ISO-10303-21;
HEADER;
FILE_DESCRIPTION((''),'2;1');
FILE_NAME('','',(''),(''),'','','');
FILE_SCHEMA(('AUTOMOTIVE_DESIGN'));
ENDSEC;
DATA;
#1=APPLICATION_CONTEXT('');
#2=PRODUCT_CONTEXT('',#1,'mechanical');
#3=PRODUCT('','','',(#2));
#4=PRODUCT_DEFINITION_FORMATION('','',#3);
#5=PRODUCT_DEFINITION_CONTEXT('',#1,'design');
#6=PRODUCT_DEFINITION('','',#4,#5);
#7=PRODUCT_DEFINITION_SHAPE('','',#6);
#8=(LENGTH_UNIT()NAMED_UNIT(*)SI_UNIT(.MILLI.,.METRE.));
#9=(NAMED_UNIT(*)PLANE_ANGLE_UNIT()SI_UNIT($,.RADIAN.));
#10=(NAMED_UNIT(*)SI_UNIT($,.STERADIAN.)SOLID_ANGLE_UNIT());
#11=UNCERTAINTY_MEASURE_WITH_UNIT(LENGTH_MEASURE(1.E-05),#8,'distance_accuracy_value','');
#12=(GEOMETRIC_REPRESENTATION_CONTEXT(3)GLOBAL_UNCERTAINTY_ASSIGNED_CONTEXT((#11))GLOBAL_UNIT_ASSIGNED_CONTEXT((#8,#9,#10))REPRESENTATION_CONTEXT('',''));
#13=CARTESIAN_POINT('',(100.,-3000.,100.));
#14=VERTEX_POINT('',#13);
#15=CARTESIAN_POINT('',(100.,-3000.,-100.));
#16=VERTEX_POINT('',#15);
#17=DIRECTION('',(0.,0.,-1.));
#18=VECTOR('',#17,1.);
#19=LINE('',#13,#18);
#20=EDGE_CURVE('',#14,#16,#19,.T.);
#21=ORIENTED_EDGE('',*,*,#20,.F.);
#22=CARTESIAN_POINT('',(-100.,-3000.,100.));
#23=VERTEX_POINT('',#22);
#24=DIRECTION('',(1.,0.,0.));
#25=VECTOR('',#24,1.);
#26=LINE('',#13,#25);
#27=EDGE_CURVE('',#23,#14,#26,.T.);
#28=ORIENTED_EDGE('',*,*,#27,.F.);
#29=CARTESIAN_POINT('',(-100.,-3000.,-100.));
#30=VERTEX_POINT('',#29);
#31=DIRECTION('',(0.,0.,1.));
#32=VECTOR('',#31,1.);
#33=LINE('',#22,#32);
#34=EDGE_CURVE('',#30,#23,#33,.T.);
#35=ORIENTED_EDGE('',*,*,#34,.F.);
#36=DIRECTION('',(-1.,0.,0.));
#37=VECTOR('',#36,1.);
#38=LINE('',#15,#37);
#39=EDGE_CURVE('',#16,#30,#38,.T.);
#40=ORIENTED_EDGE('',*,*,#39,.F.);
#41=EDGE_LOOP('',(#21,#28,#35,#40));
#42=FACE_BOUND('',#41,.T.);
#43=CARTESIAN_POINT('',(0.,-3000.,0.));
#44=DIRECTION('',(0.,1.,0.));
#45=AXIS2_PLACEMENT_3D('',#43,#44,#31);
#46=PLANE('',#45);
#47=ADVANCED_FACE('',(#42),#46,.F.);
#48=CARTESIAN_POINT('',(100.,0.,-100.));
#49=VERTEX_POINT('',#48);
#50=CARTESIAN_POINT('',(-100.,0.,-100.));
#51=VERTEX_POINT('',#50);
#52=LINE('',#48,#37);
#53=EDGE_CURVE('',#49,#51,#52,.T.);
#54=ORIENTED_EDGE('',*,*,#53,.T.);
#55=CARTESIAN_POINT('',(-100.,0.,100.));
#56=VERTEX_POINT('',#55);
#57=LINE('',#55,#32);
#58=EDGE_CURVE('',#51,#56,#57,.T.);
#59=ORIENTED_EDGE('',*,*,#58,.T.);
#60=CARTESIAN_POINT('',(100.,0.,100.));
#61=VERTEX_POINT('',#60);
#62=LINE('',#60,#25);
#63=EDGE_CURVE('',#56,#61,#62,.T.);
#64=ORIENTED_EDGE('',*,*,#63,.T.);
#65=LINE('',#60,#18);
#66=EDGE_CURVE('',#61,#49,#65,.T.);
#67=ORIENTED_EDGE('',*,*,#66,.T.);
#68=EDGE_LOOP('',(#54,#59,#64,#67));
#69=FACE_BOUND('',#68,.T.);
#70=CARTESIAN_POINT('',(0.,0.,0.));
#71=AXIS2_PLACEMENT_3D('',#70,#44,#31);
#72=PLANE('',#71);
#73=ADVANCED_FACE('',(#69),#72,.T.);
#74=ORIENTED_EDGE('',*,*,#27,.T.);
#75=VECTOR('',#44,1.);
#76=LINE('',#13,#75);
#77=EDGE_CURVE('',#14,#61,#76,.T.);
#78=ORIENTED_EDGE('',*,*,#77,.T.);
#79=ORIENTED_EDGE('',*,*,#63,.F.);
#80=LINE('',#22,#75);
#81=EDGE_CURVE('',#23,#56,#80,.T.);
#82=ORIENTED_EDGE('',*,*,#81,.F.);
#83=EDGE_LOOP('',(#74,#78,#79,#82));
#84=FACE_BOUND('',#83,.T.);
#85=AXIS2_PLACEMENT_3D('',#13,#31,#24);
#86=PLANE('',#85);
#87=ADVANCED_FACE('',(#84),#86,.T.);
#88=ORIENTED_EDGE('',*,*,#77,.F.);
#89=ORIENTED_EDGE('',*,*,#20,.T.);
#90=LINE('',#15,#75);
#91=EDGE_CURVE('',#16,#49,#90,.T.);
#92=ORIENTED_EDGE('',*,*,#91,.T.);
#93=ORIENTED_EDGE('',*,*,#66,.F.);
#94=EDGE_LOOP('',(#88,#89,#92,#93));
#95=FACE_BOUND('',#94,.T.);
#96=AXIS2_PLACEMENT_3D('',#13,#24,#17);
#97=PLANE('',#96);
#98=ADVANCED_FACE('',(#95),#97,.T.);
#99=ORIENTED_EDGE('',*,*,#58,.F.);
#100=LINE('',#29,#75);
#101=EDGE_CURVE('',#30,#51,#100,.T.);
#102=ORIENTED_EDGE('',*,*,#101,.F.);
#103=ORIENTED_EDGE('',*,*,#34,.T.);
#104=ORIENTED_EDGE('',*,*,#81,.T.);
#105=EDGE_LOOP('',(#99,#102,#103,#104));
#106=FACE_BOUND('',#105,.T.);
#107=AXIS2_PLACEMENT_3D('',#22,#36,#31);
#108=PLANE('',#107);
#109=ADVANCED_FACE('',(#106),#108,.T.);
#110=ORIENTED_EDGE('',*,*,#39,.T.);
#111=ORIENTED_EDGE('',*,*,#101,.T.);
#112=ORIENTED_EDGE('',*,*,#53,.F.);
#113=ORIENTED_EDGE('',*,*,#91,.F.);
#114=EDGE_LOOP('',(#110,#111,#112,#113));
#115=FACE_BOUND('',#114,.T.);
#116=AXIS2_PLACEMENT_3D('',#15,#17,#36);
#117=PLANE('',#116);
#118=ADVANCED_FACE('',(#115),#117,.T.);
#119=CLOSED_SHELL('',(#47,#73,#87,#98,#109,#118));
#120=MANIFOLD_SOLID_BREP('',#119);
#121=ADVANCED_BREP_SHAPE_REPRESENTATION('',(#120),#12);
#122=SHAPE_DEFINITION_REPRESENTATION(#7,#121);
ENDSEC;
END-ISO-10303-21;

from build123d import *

# Parameters (mm, degrees)
SKETCH_1_W      = 200
SKETCH_1_H      = 200
EXTRUDE_2_DEPTH = 3000


with BuildPart() as part:
    # 草图1 → 凸台-拉伸2 (new body)
    with BuildSketch(Plane(origin=(0, 0, 0), x_dir=(1, 0, 0), z_dir=(0, 1, 0))):
        Rectangle(SKETCH_1_W, SKETCH_1_H)
    extrude(amount=-EXTRUDE_2_DEPTH)


solid = part.part
